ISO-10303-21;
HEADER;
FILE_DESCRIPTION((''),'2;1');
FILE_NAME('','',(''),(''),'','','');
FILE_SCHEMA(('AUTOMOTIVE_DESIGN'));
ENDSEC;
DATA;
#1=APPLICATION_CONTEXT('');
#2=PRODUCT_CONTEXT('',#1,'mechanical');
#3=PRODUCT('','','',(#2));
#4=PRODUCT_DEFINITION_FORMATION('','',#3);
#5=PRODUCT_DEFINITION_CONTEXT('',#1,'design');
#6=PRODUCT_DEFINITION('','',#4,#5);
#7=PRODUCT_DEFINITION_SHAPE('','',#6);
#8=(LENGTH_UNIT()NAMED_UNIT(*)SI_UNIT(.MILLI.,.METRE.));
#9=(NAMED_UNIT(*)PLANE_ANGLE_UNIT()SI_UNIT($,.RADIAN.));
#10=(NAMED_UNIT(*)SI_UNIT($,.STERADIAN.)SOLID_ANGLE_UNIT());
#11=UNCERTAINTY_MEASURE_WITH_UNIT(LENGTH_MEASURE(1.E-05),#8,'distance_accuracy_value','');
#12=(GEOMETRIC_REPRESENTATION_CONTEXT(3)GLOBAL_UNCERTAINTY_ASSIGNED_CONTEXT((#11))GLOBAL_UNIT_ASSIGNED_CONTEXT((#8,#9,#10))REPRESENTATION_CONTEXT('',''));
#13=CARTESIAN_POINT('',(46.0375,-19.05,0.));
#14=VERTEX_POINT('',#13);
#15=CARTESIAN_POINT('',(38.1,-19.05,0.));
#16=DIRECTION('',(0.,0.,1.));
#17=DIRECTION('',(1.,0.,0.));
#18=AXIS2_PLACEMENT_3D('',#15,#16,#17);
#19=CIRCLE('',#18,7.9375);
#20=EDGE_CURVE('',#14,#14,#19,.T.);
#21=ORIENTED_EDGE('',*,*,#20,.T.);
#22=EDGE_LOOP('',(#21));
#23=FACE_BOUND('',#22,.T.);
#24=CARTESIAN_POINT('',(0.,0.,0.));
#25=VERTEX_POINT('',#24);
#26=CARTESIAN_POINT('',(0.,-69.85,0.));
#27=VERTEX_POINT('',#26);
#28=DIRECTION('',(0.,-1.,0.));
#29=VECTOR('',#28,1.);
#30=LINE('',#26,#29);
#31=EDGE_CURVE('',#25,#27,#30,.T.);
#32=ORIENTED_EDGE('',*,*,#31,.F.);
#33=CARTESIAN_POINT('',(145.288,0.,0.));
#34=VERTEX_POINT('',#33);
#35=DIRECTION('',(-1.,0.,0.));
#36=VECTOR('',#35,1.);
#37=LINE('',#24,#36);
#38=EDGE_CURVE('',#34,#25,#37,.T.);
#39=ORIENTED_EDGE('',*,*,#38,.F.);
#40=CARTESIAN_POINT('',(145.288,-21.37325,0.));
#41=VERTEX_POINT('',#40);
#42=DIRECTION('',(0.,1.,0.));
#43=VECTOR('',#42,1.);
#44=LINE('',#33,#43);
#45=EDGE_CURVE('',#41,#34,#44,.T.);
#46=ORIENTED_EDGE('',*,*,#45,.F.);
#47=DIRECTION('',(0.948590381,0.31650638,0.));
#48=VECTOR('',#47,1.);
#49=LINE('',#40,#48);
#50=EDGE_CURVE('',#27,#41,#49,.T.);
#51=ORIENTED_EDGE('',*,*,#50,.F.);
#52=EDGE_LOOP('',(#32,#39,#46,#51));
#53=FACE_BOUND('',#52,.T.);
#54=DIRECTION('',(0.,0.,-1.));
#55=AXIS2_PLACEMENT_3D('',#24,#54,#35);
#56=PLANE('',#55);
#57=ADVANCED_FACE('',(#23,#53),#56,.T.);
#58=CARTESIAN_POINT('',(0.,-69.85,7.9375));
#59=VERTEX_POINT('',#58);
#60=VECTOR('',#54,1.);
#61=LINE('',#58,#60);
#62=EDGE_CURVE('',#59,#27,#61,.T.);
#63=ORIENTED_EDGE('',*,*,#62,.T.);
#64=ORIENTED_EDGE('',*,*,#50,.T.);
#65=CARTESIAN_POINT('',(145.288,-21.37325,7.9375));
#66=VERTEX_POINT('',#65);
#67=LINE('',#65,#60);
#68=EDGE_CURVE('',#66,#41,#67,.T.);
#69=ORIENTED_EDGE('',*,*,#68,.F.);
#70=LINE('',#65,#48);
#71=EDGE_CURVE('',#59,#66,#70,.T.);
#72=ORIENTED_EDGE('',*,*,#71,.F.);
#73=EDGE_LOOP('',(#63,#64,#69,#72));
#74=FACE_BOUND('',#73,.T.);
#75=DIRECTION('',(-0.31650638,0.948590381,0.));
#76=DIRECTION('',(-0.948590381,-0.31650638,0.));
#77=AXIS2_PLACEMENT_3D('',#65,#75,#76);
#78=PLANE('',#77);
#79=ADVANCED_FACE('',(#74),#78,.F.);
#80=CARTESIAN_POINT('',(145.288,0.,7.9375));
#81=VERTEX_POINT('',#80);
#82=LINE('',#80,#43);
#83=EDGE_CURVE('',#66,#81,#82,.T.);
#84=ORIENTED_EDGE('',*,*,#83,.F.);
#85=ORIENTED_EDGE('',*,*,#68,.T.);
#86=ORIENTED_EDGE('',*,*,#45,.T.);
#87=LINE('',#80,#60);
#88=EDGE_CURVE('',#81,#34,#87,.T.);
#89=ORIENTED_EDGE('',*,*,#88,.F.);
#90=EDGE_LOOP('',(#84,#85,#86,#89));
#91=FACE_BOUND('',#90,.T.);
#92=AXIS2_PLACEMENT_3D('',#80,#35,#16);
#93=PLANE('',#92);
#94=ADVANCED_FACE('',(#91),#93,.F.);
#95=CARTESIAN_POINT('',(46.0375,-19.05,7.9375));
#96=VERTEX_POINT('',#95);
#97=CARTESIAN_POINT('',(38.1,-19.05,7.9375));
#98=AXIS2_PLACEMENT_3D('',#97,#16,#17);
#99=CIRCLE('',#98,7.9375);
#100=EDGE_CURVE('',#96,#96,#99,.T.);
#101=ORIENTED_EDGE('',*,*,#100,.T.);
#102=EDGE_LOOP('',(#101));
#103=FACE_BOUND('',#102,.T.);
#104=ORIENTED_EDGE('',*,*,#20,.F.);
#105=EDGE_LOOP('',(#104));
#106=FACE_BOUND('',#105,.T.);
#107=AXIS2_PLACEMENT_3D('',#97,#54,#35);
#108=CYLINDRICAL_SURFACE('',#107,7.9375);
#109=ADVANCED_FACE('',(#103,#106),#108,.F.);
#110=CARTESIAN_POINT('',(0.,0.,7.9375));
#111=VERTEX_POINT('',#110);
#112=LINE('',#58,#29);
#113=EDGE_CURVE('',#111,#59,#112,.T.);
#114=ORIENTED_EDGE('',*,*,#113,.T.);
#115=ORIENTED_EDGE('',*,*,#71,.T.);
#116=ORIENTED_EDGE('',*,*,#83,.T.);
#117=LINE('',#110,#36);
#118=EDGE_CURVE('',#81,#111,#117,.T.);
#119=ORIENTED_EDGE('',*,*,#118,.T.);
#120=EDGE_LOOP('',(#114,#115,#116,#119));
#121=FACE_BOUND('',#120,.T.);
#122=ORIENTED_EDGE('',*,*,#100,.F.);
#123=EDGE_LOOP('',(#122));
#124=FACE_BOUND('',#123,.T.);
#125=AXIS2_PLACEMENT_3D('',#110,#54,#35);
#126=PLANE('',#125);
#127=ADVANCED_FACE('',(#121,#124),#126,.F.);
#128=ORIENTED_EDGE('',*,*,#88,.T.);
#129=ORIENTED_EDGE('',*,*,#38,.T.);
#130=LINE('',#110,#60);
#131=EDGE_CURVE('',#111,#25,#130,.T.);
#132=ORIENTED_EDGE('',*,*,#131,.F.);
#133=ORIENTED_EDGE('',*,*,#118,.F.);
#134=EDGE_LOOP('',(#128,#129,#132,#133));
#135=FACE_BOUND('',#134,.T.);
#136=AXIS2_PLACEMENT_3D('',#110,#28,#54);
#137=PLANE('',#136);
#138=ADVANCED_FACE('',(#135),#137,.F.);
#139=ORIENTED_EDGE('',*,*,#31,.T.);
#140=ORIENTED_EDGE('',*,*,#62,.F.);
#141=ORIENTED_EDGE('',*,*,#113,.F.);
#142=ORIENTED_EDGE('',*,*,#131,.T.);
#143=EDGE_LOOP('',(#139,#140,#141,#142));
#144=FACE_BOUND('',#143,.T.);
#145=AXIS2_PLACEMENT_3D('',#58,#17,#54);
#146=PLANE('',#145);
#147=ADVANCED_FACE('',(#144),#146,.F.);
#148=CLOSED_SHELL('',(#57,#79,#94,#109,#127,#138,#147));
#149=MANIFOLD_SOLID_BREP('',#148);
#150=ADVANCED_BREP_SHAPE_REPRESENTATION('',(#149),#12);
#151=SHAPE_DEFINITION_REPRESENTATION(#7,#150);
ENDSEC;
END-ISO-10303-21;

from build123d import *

# Parameters (mm, degrees)
SKETCH1_R           = 7.9375
BOSS_EXTRUDE1_DEPTH = 7.9375


with BuildPart() as part:
    # Sketch1 → Boss-Extrude1 (new body)
    with BuildSketch(Plane.XY):
        Polygon((0, 0), (145.288, 0), (145.288, -21.373249903), (0, -69.85), align=None)
        with Locations((38.1, -19.05)):
            Circle(SKETCH1_R, mode=Mode.SUBTRACT)
    extrude(amount=BOSS_EXTRUDE1_DEPTH)


solid = part.part
